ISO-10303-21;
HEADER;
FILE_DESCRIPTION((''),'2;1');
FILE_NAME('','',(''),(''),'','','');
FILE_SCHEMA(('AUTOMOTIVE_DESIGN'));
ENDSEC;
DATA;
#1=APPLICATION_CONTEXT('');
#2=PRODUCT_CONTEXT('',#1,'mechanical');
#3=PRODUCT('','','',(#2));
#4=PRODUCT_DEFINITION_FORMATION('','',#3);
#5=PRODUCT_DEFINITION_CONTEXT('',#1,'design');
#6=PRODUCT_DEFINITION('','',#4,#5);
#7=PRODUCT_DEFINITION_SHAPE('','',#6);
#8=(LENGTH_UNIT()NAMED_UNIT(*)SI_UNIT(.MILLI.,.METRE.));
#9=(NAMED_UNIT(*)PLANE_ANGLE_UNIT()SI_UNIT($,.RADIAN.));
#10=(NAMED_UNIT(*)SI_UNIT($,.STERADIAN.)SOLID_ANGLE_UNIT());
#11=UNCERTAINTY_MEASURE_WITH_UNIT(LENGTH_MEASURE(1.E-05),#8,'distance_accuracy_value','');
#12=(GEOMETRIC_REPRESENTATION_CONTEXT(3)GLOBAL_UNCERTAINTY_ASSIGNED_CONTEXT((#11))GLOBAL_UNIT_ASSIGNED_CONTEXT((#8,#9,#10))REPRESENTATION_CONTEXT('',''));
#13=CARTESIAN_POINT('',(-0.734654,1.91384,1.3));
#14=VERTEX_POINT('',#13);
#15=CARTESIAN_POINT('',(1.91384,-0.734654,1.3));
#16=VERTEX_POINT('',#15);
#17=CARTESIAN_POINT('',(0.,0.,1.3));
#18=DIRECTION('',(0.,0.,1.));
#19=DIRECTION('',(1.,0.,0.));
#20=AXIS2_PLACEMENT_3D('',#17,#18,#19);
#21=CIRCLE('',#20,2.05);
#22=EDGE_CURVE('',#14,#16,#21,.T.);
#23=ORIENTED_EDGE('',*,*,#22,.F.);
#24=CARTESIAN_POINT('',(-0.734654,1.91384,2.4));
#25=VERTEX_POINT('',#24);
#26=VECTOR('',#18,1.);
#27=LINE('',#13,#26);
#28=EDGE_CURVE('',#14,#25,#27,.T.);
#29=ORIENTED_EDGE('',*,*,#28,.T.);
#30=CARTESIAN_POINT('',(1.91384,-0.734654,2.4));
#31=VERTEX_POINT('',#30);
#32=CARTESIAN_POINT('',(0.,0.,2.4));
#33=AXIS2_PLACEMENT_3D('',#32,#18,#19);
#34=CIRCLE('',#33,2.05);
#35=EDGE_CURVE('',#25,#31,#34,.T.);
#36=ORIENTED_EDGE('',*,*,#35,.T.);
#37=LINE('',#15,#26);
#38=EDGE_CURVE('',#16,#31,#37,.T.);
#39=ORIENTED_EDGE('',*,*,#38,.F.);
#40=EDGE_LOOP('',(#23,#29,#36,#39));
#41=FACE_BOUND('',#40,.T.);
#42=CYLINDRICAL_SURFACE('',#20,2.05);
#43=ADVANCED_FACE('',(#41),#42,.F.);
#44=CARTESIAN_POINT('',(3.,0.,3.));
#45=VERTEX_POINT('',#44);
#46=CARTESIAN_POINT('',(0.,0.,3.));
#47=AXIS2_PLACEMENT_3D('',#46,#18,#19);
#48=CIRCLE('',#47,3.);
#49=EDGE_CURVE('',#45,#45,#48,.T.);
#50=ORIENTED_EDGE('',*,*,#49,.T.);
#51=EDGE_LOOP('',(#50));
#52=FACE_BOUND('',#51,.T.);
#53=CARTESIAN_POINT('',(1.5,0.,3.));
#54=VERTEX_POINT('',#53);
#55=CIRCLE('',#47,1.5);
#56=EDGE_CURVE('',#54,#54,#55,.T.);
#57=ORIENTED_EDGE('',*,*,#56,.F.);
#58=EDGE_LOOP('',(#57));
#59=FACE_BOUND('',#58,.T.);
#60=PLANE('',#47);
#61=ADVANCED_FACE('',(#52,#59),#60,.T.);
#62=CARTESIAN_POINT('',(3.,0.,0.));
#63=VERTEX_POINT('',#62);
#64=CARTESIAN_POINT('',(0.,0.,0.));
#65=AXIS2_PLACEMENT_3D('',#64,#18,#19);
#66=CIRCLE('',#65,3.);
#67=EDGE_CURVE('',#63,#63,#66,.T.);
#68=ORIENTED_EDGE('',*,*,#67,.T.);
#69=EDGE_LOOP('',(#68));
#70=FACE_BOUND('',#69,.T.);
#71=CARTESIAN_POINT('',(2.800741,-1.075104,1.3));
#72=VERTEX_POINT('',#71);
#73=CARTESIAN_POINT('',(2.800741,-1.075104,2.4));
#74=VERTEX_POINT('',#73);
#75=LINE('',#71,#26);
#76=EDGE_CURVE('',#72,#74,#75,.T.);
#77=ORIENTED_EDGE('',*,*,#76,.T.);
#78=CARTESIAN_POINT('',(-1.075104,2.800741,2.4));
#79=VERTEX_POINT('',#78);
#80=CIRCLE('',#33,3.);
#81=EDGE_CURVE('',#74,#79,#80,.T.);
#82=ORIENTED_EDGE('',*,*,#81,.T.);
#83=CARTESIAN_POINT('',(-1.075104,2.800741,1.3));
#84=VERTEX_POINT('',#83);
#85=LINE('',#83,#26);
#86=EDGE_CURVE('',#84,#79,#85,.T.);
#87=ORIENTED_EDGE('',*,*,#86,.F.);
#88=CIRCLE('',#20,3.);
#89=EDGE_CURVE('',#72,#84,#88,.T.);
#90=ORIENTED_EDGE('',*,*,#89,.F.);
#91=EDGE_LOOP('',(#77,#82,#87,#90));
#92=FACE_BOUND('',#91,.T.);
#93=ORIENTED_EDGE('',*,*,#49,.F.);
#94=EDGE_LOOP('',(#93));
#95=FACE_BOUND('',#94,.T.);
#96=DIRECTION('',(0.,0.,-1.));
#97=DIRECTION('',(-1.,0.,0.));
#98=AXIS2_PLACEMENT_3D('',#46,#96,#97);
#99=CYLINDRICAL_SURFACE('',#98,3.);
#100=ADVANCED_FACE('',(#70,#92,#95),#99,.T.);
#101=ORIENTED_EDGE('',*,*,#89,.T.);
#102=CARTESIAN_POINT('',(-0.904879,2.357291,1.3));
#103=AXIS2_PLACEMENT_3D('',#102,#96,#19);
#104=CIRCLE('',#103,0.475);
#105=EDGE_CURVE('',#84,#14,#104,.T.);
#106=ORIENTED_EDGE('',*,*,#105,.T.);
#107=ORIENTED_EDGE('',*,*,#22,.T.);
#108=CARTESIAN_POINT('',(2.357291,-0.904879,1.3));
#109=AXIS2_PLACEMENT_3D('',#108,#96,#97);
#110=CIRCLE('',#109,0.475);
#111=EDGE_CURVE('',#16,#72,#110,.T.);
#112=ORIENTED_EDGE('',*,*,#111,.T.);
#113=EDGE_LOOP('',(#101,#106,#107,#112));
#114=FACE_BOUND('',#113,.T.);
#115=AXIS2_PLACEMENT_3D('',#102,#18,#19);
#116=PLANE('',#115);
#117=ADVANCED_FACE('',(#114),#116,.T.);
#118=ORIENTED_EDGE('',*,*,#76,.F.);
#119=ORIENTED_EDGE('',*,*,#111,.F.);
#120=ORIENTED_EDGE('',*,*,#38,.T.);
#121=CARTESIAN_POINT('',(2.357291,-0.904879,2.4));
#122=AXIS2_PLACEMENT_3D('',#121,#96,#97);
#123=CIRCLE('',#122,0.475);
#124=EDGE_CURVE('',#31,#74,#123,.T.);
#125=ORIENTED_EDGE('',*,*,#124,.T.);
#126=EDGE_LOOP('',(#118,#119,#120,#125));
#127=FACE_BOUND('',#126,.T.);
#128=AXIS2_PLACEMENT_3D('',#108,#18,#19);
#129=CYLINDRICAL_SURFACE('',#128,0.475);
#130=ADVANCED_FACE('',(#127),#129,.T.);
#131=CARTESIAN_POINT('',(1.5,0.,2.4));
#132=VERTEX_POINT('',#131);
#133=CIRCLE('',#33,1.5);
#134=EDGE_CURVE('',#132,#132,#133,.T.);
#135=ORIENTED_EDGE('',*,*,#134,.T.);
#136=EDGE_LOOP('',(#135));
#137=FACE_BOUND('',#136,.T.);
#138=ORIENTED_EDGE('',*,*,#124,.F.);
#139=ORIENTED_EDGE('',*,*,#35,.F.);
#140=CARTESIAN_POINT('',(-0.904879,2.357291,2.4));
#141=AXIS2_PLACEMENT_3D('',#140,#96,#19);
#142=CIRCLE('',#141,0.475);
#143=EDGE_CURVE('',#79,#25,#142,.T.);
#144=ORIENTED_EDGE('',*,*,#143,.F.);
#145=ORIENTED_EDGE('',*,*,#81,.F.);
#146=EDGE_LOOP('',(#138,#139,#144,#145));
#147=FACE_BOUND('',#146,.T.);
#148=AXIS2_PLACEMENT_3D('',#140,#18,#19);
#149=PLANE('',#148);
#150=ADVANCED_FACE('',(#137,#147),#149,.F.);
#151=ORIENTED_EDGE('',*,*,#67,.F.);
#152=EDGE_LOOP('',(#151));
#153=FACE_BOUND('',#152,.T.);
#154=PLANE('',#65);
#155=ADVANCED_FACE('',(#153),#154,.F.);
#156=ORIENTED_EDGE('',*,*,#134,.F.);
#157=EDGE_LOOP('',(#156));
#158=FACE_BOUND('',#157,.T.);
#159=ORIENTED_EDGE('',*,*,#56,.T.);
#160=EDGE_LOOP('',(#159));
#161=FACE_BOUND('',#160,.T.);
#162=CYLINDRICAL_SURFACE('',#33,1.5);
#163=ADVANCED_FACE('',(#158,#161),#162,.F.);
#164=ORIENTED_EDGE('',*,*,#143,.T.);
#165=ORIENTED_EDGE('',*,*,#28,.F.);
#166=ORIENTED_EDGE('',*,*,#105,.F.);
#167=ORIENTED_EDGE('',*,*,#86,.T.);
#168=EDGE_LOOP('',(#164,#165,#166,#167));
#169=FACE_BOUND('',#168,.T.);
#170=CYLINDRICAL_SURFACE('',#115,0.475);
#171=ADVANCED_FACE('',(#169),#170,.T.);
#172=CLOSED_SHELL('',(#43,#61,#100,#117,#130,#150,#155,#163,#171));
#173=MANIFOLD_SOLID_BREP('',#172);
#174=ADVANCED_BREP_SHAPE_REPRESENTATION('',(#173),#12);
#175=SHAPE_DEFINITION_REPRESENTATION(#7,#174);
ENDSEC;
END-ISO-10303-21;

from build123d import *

# Parameters (mm, degrees)
SKETCH_1_R          = 3
EXTRUDE_1_DEPTH     = 3
SKETCH_2_R          = 1.5
CUT_EXTRUDE_1_DEPTH = 0.6
CUT_EXTRUDE_2_DEPTH = 1.1


with BuildPart() as part:
    # 草图1 → 凸台-拉伸1 (new body)
    with BuildSketch(Plane.XY):
        Circle(SKETCH_1_R)
    extrude(amount=EXTRUDE_1_DEPTH)

    # 草图2 → 切除-拉伸1 (cut)
    with BuildSketch(Plane.XY.offset(3)):
        Circle(SKETCH_2_R)
    extrude(amount=-CUT_EXTRUDE_1_DEPTH, mode=Mode.SUBTRACT)

    # 草图3 → 切除-拉伸2 (cut)
    with BuildSketch(Plane.XY.offset(2.4)):
        with BuildLine():
            Line((-1.075103849, 2.800741279), (-1.343879811, 3.500926599))
            ThreePointArc((-1.343879811, 3.500926599), (2.651650429, 2.651650429), (3.500926599, -1.343879811))
            Line((3.500926599, -1.343879811), (2.800741279, -1.075103849))
            ThreePointArc((2.800741279, -1.075103849), (2.527515353, -0.46142837), (1.913839874, -0.734654297))
            ThreePointArc((1.913839874, -0.734654297), (-1.449568901, -1.449568901), (-0.734654297, 1.913839874))
            ThreePointArc((-0.734654297, 1.913839874), (-0.46142837, 2.527515353), (-1.075103849, 2.800741279))
        make_face()
    extrude(amount=-CUT_EXTRUDE_2_DEPTH, mode=Mode.SUBTRACT)


solid = part.part
